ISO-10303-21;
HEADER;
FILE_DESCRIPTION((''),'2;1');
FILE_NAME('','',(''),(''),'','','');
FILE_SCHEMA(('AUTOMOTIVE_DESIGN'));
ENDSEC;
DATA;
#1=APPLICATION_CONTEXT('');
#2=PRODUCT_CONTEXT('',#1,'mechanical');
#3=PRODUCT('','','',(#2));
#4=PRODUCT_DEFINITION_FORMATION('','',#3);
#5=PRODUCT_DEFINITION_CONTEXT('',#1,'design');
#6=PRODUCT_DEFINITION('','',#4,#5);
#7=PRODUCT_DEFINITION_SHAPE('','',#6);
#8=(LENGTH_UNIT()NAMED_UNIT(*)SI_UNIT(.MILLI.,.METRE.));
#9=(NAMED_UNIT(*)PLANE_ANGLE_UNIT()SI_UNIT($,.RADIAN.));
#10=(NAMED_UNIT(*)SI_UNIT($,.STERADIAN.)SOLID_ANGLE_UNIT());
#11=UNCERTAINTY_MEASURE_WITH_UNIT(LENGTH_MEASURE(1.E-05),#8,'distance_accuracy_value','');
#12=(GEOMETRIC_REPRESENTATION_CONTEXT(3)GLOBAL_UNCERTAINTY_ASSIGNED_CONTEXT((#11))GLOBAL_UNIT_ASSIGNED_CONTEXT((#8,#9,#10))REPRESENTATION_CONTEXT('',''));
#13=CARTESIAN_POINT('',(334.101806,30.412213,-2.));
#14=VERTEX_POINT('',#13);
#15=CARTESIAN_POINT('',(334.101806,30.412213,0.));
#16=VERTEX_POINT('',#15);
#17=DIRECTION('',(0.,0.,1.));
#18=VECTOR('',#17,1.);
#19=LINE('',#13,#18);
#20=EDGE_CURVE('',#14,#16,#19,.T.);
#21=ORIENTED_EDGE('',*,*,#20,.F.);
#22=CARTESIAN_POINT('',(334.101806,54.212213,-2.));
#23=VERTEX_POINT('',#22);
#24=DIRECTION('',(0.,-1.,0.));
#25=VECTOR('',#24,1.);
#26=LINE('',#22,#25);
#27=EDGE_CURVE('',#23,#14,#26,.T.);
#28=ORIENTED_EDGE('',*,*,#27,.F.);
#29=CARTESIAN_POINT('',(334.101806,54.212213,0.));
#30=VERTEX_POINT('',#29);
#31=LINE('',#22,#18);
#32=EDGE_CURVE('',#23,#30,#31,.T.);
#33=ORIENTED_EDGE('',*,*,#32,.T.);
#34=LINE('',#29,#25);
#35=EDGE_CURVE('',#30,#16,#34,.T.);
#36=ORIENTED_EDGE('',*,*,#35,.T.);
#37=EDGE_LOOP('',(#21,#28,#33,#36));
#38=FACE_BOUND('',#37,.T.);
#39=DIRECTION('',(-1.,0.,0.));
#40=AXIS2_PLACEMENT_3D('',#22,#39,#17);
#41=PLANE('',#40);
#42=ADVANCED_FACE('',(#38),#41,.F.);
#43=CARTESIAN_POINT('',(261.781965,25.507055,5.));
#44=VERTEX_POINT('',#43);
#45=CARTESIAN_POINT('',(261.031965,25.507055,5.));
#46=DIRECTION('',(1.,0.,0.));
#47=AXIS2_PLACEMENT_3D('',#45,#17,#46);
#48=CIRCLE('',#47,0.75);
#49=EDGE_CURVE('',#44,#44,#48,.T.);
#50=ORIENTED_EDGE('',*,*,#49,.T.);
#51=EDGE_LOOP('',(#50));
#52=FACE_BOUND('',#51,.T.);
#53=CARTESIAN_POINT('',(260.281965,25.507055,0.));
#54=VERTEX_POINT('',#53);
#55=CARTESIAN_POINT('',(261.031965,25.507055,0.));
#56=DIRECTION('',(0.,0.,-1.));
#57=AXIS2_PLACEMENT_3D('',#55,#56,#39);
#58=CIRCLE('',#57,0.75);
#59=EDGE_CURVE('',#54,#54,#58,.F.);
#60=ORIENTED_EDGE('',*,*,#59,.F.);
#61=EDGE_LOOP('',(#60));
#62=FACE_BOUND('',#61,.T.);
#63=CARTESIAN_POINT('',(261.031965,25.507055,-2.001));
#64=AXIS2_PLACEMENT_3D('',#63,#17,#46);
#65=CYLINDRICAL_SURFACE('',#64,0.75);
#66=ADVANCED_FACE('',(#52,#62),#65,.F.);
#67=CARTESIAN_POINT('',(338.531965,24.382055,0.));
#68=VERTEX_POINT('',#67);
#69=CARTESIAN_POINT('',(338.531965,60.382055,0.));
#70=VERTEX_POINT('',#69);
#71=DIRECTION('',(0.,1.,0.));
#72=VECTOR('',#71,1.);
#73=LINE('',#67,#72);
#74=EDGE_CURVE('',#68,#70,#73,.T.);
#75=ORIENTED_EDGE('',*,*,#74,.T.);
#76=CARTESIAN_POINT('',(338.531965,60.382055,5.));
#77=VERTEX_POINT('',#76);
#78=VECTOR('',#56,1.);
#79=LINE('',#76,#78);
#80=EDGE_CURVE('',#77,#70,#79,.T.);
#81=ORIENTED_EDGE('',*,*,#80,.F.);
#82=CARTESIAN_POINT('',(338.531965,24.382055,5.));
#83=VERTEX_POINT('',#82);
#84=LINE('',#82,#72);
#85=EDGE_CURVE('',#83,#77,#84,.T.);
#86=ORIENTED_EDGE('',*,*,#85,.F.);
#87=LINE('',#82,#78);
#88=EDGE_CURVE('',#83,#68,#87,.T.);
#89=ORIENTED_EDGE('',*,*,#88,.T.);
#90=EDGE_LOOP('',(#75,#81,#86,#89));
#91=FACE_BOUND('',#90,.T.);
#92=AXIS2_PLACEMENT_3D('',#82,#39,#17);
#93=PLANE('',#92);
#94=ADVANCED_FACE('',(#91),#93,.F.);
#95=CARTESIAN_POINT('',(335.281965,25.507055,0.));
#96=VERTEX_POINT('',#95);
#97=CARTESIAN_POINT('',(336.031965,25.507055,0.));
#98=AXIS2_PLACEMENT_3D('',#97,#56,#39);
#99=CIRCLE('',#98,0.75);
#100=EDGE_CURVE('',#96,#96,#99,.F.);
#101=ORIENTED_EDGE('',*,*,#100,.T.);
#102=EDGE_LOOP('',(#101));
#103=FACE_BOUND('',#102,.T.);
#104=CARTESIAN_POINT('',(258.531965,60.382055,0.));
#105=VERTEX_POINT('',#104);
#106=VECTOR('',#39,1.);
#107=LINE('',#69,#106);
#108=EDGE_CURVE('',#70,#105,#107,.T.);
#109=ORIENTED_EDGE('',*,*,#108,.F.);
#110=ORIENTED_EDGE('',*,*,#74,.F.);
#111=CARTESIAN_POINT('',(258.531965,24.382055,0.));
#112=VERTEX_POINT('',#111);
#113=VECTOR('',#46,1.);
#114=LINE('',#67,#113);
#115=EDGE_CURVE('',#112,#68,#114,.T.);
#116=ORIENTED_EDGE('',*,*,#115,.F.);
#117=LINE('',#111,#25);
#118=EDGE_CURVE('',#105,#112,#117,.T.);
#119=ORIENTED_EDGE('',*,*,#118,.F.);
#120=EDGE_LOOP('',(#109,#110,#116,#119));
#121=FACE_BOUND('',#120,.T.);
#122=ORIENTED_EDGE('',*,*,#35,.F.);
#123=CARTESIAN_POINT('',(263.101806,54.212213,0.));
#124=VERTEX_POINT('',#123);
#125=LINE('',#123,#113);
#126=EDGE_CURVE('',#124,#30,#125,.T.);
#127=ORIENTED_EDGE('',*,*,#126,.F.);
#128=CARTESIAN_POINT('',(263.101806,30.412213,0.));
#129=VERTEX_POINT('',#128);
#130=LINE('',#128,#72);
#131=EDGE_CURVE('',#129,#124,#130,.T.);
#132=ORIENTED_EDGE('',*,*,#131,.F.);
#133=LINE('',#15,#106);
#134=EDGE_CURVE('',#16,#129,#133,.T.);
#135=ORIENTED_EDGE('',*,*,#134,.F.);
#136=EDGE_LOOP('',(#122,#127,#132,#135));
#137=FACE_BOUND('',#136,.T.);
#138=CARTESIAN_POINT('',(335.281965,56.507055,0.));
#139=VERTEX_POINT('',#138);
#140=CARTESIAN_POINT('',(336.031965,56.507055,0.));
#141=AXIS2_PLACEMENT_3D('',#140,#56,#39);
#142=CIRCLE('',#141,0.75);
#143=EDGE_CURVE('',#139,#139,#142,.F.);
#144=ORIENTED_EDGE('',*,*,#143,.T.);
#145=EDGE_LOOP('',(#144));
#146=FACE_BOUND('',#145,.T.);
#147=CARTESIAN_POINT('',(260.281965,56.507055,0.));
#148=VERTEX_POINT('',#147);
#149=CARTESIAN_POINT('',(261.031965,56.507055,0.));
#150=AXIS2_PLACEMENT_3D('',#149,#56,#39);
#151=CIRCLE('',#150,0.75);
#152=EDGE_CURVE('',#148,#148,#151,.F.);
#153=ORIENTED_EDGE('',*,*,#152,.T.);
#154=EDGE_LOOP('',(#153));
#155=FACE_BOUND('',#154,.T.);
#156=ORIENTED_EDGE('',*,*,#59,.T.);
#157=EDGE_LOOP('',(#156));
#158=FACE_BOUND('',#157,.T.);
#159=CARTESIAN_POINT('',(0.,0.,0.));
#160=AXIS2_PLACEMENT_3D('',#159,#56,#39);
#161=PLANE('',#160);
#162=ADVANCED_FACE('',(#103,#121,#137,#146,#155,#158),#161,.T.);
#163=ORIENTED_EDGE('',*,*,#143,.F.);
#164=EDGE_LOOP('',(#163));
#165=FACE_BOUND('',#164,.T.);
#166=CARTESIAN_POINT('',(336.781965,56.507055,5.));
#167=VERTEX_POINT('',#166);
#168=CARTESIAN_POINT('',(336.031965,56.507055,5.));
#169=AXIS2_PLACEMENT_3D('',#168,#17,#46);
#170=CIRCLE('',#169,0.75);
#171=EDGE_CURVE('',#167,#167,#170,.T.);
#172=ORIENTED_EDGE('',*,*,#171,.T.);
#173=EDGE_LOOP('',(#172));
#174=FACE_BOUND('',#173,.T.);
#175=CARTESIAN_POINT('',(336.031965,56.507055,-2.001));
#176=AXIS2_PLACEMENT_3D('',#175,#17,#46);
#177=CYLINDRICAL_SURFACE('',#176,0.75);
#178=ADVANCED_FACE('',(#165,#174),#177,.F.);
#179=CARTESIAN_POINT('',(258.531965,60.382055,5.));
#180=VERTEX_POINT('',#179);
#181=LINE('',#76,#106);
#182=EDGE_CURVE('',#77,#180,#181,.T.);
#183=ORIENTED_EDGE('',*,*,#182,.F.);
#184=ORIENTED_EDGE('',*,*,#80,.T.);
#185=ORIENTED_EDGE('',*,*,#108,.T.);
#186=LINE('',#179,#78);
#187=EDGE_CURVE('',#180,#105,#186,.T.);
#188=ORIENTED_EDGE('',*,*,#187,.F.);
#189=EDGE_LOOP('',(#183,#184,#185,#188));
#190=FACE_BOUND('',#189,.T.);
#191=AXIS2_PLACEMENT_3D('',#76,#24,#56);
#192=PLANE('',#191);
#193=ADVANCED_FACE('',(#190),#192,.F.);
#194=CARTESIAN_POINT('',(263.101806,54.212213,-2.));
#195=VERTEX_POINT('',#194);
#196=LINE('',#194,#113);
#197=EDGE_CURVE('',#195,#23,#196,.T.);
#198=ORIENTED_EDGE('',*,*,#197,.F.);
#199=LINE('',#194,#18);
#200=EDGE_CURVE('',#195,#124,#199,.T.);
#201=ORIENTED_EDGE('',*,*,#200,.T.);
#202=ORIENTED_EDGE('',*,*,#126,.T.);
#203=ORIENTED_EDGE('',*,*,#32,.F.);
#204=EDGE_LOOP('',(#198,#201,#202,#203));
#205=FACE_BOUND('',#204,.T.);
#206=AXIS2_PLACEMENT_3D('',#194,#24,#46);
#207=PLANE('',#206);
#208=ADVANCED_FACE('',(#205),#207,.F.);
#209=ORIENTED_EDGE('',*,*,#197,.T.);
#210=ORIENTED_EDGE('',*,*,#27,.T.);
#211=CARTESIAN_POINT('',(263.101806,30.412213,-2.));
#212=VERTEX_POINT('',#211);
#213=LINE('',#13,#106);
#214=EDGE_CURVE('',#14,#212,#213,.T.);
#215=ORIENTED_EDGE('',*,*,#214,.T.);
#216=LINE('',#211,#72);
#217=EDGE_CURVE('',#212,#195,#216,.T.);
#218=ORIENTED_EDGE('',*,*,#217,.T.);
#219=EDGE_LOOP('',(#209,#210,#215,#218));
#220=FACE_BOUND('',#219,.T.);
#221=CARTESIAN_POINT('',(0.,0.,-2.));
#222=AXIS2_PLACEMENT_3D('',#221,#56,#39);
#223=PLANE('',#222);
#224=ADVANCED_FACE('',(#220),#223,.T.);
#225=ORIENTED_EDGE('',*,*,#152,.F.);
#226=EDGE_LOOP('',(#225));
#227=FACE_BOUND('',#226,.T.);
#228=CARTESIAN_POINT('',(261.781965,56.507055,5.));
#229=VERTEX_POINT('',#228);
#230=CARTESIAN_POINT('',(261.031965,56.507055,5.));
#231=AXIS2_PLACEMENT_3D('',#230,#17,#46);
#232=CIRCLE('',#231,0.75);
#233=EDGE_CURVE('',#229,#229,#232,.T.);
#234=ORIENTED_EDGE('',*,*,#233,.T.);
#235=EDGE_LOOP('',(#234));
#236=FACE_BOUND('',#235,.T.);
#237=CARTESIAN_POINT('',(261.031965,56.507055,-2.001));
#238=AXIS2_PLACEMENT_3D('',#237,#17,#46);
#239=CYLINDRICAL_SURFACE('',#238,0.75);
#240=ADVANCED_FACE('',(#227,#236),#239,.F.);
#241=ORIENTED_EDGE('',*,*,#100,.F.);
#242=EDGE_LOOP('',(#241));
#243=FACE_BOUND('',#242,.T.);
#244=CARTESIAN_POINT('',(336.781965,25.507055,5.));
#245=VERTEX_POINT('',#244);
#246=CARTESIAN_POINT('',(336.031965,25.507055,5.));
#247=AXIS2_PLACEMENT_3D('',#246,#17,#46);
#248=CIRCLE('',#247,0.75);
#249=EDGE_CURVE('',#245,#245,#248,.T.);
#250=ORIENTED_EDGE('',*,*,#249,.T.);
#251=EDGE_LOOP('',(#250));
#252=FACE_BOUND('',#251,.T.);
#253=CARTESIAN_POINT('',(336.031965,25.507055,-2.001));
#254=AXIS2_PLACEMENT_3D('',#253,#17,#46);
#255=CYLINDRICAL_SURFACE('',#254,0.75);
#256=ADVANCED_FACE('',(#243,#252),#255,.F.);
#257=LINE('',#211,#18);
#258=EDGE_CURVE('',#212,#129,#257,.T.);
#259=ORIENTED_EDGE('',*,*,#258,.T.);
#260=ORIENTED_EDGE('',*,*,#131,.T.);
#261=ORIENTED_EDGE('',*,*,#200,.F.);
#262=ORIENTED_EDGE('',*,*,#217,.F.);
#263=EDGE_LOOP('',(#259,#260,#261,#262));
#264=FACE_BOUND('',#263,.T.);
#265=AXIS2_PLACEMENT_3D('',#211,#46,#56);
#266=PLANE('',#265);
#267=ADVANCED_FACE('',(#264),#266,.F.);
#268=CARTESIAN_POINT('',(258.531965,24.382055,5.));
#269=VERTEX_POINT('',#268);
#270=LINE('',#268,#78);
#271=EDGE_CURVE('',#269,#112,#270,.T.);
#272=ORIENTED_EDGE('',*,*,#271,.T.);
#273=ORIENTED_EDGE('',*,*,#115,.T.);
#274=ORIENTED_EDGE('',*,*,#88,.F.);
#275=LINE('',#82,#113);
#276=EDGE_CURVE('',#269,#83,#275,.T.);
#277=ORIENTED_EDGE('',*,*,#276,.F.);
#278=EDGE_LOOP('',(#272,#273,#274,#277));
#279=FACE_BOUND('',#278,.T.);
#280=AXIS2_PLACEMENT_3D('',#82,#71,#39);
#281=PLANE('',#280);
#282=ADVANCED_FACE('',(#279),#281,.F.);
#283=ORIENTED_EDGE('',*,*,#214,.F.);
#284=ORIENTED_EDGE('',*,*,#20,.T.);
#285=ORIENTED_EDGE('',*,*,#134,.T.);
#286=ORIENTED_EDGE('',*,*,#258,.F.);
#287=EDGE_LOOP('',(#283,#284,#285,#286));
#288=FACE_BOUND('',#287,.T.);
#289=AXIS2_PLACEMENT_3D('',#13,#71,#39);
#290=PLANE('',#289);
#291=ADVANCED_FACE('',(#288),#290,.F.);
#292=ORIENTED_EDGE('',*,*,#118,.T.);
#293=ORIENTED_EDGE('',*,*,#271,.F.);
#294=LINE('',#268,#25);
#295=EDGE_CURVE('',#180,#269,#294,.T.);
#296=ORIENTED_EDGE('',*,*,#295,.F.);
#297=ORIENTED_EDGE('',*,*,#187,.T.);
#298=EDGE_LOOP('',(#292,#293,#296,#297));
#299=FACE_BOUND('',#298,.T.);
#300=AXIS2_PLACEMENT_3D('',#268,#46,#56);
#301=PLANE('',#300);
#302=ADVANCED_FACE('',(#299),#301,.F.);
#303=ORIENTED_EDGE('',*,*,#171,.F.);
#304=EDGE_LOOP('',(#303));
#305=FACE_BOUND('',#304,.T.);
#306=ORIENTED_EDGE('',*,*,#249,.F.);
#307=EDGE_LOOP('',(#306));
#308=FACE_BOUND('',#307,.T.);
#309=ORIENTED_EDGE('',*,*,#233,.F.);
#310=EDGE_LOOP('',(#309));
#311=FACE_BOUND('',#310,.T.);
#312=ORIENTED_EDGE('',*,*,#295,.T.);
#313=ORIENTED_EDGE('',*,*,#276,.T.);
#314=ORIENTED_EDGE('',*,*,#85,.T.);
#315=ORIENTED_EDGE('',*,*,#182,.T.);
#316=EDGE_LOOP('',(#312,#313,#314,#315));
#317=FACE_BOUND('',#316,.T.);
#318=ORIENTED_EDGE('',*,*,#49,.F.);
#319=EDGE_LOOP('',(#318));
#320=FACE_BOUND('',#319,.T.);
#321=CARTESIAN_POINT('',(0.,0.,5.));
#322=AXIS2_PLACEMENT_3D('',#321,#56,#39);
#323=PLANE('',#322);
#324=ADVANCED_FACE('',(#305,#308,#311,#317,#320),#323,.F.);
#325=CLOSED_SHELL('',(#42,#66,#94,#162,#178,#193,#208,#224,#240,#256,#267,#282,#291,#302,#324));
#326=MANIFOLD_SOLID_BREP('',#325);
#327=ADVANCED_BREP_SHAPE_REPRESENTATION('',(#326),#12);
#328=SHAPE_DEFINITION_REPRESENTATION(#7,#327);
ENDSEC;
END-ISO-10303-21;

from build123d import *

# Parameters (mm, degrees)
SKETCH1_W           = 80
SKETCH1_H           = 36
BOSS_EXTRUDE1_DEPTH = 5
SKETCH2_W           = 71
SKETCH2_H           = 23.8
BOSS_EXTRUDE2_DEPTH = 2
CUT_EXTRUDE1_REACH  = 345.946
SKETCH3_R           = 0.75


with BuildPart() as part:
    # Sketch1 → Boss-Extrude1 (new body)
    with BuildSketch(Plane.XY):
        with Locations((298.531964754, 42.3820547)):
            Rectangle(SKETCH1_W, SKETCH1_H)
    extrude(amount=BOSS_EXTRUDE1_DEPTH)

    # Sketch2 → Boss-Extrude2 (add)
    with BuildSketch(Plane(origin=(0, 0, 0), x_dir=(-1, 0, 0), z_dir=(0, 0, -1))):
        with Locations((-298.601806293, 42.312213161)):
            Rectangle(SKETCH2_W, SKETCH2_H)
    extrude(amount=BOSS_EXTRUDE2_DEPTH)

    # Sketch3 → Cut-Extrude1 (cut, up to next)
    with BuildSketch(Plane.XY.offset(5), mode=Mode.PRIVATE) as cut_extrude1_sk1:
        with Locations((261.031964754, 25.5070547)):
            Circle(SKETCH3_R)
    cut_extrude1_tool1 = extrude(cut_extrude1_sk1.sketch, amount=-CUT_EXTRUDE1_REACH, mode=Mode.PRIVATE) & part.part
    # Sketch3 → Cut-Extrude1 (cut, up to next)
    with BuildSketch(Plane.XY.offset(5), mode=Mode.PRIVATE) as cut_extrude1_sk2:
        with Locations((336.031964754, 25.5070547)):
            Circle(SKETCH3_R)
    cut_extrude1_tool2 = extrude(cut_extrude1_sk2.sketch, amount=-CUT_EXTRUDE1_REACH, mode=Mode.PRIVATE) & part.part
    # Sketch3 → Cut-Extrude1 (cut, up to next)
    with BuildSketch(Plane.XY.offset(5), mode=Mode.PRIVATE) as cut_extrude1_sk3:
        with Locations((336.031964754, 56.5070547)):
            Circle(SKETCH3_R)
    cut_extrude1_tool3 = extrude(cut_extrude1_sk3.sketch, amount=-CUT_EXTRUDE1_REACH, mode=Mode.PRIVATE) & part.part
    # Sketch3 → Cut-Extrude1 (cut, up to next)
    with BuildSketch(Plane.XY.offset(5), mode=Mode.PRIVATE) as cut_extrude1_sk4:
        with Locations((261.031964754, 56.5070547)):
            Circle(SKETCH3_R)
    cut_extrude1_tool4 = extrude(cut_extrude1_sk4.sketch, amount=-CUT_EXTRUDE1_REACH, mode=Mode.PRIVATE) & part.part
    add(cut_extrude1_tool1.solids().sort_by_distance((261.031965, 25.507055, 5))[0], mode=Mode.SUBTRACT)
    add(cut_extrude1_tool2.solids().sort_by_distance((336.031965, 25.507055, 5))[0], mode=Mode.SUBTRACT)
    add(cut_extrude1_tool3.solids().sort_by_distance((336.031965, 56.507055, 5))[0], mode=Mode.SUBTRACT)
    add(cut_extrude1_tool4.solids().sort_by_distance((261.031965, 56.507055, 5))[0], mode=Mode.SUBTRACT)


solid = part.part
